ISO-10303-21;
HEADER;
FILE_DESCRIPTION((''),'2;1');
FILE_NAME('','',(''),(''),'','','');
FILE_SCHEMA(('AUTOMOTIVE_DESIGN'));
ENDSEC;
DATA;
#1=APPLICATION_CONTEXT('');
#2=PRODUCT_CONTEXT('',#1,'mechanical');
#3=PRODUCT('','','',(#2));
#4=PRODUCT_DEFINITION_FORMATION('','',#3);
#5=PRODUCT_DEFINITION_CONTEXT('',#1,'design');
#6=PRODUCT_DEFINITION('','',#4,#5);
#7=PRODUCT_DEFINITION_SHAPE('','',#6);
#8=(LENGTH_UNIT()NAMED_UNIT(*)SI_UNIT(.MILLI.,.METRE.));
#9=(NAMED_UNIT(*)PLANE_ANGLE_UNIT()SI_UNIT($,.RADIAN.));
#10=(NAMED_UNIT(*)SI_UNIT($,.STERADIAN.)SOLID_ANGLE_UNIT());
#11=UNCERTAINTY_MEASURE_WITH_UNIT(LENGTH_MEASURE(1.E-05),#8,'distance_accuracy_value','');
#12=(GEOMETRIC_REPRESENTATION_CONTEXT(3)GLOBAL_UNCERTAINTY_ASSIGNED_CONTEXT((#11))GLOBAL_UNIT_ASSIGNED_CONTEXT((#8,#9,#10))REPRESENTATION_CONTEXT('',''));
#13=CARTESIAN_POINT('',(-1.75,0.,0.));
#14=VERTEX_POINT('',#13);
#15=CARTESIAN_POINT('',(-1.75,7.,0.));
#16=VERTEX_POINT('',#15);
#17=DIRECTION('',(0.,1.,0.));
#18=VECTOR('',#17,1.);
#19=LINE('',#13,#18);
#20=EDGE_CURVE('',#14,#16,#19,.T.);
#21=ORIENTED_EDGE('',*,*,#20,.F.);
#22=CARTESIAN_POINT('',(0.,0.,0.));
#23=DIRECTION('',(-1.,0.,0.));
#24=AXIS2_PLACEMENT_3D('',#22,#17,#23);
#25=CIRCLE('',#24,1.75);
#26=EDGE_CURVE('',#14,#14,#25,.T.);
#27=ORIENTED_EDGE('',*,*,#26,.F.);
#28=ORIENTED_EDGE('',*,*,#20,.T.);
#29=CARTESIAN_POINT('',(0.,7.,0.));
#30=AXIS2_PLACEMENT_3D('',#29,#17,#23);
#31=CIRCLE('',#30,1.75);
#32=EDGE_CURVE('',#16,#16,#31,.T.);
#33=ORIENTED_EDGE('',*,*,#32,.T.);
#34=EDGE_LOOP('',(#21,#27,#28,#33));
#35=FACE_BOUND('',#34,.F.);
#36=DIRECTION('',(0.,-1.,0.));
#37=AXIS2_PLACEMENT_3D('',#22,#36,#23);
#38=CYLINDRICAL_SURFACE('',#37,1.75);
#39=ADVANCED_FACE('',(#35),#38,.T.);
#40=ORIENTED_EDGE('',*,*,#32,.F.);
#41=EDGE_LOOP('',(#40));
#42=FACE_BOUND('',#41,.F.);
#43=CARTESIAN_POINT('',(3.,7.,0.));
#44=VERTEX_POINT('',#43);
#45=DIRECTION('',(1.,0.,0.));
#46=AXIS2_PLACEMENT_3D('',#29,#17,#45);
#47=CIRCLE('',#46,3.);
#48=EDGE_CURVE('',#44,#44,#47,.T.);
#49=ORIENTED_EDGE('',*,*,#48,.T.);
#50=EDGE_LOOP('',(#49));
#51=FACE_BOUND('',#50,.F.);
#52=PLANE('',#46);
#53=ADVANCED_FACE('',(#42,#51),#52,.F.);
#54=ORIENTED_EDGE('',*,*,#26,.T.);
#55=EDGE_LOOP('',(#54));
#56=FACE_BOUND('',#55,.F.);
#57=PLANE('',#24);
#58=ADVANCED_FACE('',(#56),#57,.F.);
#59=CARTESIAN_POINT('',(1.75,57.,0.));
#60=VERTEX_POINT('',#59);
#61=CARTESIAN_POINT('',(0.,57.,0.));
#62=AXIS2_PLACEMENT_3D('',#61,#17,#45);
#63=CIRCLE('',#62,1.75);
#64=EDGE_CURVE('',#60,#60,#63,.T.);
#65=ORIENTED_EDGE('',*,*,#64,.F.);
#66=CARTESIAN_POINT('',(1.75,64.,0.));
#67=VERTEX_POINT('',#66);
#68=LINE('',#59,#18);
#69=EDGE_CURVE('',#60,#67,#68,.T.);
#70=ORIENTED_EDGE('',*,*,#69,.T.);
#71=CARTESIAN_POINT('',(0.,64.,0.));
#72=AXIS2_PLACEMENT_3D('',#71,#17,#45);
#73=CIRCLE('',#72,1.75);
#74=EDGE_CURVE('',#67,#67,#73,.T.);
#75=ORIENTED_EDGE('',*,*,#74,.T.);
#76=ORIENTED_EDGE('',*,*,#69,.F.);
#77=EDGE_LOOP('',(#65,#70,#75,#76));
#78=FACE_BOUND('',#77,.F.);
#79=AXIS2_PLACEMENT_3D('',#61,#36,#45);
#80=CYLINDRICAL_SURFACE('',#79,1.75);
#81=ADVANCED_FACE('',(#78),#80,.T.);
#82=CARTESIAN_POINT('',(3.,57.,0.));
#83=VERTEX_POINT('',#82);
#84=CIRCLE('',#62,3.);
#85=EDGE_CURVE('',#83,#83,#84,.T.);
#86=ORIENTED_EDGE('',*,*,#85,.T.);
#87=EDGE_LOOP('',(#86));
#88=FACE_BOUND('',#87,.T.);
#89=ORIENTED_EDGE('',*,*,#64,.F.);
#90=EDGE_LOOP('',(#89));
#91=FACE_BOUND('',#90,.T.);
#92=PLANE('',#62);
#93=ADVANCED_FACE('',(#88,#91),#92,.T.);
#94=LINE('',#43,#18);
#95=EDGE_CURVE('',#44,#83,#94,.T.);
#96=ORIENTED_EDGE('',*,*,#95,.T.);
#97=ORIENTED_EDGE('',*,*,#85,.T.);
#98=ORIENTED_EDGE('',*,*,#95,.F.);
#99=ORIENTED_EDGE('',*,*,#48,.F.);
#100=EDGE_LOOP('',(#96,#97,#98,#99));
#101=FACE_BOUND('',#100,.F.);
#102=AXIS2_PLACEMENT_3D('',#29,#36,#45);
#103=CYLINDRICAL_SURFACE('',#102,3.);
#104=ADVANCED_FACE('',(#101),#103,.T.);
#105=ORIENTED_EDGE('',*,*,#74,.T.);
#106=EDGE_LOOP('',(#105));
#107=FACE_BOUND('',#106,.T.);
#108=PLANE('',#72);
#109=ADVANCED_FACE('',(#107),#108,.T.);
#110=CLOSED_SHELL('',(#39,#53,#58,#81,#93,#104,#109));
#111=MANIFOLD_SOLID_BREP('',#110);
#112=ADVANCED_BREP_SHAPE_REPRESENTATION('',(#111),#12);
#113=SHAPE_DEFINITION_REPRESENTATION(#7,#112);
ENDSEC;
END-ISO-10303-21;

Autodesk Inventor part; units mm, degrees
ref_plane "XZ Plane" through (0, 0, 0) normal (0, 1, 0) x (-1, 0, 0)
sketch "Szkic1" plane through (0, 0, 0) normal (0, 1, 0) x (-1, 0, 0)
  circle A0 centre (0, 0) radius 1.75
  dimension "d0" = 3.5
extrude "Wyciągnięcie proste1" add sketch "Szkic1" along normal blind 7
sketch "Szkic2" plane through (0, 7, 0) normal (0, 1, 0) x (1, 0, 0)
  circle A0 centre (0, 0) radius 3
  dimension "d3" = 6
extrude "Wyciągnięcie proste2" add sketch "Szkic2" along normal blind 50
sketch "Szkic3" plane through (0, 57, 0) normal (0, 1, 0) x (1, 0, 0)
  circle A0 centre (0, 0) radius 1.75 projected
  circle A1 centre (0, 0) radius 1.75
  dimension "d6" = 3.5
extrude "Wyciągnięcie proste3" add sketch "Szkic3" along normal blind 7
properties part number "rod"
